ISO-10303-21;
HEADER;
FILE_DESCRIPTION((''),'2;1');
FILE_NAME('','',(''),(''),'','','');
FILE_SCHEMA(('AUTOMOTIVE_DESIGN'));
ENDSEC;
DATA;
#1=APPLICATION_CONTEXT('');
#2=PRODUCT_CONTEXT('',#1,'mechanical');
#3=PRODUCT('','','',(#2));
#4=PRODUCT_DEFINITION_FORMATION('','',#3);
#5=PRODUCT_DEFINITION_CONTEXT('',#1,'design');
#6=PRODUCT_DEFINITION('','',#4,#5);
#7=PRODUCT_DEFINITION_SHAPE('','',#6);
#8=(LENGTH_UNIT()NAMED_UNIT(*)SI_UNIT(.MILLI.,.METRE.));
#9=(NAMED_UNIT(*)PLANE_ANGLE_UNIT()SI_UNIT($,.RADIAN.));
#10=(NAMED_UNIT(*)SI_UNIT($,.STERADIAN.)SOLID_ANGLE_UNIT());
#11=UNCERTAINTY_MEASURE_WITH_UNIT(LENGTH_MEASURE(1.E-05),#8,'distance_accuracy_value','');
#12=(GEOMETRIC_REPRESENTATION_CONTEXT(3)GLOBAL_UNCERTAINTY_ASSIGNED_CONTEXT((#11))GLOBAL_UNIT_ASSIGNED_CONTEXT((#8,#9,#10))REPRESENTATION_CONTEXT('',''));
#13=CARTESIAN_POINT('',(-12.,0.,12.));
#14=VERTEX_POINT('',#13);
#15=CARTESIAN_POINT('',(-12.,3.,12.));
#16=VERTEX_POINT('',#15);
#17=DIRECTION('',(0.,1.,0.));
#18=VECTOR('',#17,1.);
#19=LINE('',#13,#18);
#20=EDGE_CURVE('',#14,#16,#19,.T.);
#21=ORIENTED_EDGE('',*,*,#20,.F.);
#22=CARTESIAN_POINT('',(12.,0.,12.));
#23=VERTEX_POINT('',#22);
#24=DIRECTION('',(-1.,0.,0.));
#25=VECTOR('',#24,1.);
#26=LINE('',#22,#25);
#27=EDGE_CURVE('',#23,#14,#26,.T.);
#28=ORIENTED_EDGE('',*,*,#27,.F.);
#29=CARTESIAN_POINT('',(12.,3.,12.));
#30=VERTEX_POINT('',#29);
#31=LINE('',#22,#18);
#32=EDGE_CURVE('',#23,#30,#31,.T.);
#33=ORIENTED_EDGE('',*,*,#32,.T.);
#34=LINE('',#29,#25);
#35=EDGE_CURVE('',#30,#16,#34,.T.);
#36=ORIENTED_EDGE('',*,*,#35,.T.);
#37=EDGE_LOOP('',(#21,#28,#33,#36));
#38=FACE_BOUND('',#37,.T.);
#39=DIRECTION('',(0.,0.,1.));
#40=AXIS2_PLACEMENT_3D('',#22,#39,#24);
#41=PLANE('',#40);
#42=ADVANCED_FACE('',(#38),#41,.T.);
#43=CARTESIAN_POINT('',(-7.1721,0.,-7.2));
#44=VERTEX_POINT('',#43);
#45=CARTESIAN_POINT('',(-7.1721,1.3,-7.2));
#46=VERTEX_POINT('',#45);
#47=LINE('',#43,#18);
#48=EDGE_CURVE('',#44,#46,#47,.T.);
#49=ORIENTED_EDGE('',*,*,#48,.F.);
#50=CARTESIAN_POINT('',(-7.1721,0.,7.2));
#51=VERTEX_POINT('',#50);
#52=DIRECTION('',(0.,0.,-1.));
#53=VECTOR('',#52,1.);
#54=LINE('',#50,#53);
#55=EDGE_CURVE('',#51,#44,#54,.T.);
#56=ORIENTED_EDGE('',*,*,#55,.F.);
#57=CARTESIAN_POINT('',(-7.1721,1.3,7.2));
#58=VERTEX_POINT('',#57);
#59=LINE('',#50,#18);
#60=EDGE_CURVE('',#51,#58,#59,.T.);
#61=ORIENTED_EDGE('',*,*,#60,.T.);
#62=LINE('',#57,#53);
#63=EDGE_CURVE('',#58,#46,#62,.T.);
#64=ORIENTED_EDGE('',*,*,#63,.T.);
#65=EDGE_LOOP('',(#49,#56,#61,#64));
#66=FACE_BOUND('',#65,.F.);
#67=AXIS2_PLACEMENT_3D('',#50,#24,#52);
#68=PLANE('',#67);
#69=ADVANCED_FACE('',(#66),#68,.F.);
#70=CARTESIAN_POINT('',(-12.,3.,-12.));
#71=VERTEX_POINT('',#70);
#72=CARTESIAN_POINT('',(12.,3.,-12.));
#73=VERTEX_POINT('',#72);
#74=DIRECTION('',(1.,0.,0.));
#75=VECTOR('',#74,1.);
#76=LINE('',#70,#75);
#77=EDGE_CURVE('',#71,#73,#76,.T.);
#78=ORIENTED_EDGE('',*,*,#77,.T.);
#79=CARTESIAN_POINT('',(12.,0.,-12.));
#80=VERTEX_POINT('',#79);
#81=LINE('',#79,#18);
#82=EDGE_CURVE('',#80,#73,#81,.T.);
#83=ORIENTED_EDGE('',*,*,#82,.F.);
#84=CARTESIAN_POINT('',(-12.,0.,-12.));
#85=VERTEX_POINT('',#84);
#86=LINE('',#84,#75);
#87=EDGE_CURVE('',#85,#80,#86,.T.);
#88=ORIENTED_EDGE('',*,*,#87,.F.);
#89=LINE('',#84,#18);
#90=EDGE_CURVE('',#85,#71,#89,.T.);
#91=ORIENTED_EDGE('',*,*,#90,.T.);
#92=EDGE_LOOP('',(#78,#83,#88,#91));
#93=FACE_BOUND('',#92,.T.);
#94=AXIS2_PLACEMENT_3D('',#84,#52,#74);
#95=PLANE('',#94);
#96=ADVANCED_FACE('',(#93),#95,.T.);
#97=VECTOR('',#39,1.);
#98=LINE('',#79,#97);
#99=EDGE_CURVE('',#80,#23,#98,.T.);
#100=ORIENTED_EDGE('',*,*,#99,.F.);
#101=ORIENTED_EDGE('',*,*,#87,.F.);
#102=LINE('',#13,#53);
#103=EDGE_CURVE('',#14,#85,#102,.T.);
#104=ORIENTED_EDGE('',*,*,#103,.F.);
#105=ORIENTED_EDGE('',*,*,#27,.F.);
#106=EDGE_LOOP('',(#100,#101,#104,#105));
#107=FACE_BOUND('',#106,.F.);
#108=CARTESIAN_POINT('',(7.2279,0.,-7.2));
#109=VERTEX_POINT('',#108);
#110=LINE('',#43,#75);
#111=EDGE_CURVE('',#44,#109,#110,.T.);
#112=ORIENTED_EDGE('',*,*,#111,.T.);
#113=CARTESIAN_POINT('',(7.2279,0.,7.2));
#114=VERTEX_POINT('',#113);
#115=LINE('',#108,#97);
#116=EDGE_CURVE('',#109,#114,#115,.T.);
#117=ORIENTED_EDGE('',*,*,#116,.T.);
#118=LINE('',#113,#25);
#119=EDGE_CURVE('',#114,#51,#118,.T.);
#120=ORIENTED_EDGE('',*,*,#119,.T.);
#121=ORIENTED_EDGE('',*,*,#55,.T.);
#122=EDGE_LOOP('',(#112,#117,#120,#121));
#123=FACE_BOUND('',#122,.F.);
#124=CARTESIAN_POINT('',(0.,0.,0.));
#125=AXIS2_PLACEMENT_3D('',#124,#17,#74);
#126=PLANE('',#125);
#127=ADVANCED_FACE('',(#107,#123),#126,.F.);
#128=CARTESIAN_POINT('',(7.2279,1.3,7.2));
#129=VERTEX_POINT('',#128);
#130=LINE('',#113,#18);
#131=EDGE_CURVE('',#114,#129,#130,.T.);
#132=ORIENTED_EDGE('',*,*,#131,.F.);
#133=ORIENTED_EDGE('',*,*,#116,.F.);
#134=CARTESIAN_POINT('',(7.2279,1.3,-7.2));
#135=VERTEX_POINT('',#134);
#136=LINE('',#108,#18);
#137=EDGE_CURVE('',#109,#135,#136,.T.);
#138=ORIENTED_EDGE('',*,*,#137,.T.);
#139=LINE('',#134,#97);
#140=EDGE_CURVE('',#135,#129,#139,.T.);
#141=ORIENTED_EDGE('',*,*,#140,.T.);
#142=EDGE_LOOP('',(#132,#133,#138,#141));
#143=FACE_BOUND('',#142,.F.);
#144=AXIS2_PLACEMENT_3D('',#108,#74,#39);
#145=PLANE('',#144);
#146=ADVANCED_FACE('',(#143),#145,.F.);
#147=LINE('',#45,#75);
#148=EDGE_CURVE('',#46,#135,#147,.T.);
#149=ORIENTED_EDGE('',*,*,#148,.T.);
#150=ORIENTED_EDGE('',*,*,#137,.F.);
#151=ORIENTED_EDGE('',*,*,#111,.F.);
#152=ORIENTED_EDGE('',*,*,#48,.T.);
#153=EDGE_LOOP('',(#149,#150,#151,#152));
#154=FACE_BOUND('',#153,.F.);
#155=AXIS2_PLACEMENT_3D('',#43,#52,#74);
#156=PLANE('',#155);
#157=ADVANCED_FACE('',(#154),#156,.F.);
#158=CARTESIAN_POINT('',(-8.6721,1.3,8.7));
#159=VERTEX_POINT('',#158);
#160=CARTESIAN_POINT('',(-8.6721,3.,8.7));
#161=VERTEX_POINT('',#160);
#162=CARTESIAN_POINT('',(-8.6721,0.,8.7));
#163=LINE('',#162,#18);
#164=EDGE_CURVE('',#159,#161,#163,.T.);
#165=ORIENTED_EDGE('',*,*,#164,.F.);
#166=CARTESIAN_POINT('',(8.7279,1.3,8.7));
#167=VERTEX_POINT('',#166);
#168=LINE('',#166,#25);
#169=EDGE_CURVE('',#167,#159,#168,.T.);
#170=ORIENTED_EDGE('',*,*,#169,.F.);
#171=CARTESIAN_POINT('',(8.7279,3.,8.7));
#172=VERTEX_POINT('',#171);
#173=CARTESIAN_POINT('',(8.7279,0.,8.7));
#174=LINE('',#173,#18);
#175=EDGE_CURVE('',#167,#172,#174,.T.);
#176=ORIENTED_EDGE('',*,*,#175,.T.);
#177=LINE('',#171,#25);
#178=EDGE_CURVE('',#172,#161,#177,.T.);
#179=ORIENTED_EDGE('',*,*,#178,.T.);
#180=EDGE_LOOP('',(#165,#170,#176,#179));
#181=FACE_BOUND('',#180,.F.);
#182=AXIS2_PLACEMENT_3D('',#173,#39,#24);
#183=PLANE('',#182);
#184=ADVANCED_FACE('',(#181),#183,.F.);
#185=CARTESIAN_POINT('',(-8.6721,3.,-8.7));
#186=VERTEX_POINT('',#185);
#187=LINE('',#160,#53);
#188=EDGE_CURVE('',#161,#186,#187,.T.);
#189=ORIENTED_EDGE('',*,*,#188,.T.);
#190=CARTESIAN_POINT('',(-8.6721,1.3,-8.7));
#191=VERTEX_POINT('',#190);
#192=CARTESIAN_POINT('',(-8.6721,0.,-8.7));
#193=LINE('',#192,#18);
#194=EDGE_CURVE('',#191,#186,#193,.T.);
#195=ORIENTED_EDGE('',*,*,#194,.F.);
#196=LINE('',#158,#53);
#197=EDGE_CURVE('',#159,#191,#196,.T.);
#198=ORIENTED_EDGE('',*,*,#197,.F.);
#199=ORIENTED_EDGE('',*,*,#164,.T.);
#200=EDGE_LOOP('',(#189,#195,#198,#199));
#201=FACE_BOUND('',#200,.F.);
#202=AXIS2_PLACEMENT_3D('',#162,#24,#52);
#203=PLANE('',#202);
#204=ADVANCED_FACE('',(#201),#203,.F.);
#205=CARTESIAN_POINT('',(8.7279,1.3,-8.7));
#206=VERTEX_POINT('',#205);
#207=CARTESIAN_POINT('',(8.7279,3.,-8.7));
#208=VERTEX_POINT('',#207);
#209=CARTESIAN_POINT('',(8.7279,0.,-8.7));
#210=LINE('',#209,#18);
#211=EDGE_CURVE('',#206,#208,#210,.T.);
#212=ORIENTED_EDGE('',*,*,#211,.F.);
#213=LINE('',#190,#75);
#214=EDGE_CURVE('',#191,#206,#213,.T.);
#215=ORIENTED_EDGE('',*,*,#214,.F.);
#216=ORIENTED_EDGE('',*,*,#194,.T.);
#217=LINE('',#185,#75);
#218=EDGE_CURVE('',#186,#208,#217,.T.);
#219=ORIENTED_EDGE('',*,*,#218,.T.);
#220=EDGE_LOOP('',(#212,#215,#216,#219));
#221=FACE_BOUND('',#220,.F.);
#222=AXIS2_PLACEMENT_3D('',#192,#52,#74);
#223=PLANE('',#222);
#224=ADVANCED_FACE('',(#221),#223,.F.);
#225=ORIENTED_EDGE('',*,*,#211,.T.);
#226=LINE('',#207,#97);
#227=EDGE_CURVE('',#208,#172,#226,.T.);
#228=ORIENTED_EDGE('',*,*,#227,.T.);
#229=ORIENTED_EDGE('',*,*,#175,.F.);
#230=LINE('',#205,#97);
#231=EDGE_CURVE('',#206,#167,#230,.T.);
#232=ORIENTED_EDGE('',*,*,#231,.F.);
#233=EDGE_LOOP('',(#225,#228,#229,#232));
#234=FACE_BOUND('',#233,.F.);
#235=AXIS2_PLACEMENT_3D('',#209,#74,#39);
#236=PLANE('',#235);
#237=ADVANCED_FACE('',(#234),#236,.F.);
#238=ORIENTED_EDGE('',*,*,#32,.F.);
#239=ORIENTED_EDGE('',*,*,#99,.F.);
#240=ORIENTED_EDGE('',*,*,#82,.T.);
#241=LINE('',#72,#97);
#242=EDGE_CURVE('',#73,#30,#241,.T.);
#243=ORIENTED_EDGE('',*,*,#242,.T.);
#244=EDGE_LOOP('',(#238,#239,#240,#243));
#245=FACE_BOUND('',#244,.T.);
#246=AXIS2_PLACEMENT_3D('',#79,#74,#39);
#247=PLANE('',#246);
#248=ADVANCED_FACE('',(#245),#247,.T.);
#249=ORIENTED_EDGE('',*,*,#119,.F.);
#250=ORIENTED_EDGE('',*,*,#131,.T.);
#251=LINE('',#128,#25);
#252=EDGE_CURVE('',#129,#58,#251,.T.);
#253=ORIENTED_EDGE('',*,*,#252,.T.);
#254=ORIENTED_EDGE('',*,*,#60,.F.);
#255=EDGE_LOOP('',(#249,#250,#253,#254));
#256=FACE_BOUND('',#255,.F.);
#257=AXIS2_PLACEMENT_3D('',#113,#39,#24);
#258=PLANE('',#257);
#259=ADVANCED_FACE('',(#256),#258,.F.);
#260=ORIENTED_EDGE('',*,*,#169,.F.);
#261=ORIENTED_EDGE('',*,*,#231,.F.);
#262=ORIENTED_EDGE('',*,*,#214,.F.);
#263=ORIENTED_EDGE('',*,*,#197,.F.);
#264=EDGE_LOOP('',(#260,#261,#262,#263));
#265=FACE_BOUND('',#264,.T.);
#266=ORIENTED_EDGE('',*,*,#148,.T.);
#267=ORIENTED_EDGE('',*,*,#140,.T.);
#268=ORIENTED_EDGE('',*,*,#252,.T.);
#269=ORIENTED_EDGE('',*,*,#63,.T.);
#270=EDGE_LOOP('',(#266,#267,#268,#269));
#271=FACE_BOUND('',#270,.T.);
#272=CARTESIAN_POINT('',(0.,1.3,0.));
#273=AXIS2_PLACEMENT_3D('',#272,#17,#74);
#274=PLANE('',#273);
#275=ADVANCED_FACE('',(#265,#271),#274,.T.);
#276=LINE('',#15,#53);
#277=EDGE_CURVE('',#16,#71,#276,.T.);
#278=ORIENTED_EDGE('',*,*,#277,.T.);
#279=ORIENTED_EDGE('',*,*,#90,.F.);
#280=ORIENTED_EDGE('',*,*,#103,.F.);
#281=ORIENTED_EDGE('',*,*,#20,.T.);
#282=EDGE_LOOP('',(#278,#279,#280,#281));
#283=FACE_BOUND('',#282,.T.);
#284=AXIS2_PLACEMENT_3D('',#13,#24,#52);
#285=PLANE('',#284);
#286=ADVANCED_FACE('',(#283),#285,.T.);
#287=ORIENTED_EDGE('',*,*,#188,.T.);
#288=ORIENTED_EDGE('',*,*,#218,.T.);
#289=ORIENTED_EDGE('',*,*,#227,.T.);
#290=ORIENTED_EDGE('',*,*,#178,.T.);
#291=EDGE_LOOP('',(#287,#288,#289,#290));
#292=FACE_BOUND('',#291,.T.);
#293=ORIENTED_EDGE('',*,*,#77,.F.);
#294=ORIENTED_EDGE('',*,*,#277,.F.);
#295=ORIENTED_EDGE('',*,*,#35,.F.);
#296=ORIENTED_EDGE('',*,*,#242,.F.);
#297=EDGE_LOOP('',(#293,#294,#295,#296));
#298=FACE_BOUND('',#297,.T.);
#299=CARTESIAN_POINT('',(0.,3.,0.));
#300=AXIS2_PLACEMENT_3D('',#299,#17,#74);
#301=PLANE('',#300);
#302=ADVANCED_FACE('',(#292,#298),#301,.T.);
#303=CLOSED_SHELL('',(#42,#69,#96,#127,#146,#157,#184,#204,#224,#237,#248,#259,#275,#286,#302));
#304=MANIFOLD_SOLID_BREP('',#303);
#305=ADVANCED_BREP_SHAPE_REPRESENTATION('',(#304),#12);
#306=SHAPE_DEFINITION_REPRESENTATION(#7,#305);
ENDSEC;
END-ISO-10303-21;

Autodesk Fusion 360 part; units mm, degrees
sketch "Switch" plane through (0, 0, 0) normal (0, 1, 0) x (1, 0, 0)
  line L0 (-7.1721, 7.2) -> (7.2279, 7.2)
  line L1 (-8.6721, -8.7) -> (-8.6721, 8.7)
  line L2 (7.2279, -7.2) -> (-7.1721, -7.2)
  line L3 (-8.6721, 8.7) -> (8.7279, 8.7)
  line L4 (-8.6721, -8.7) -> (8.7279, 8.7) construction
  line L5 (-7.1721, -7.2) -> (7.2279, 7.2) construction
  line L6 (8.7279, -8.7) -> (-8.6721, -8.7)
  line L7 (-7.1721, -7.2) -> (-7.1721, 7.2)
  line L8 (7.2279, 7.2) -> (7.2279, -7.2)
  line L9 (8.7279, 8.7) -> (8.7279, -8.7)
  line L10 (8.7279, -8.7) -> (-8.6721, 8.7) construction
  line L11 (7.2279, -7.2) -> (-7.1721, 7.2) construction
  line L12 (-12, 12) -> (12, 12)
  line L13 (12, 12) -> (12, -12)
  line L14 (12, -12) -> (-12, -12)
  line L15 (-12, -12) -> (-12, 12)
  line L16 (-12, 12) -> (12, -12) construction
  line L17 (12, 12) -> (-12, -12) construction
  point P0 (0.0279, 0)
  dimension "d1" = 14.4
  dimension "d2" = 14.4
  dimension "d3" = 1.5
  dimension "d4" = 1.5
  dimension "d5" = 1.5
  dimension "d6" = 1.5
  dimension "d7" = 24
  dimension "d8" = 24
extrude "Switch Extrusion" add sketch "Switch" along normal blind 3 contours L12 L13 L14 L15
extrude "Switch Hole Extrusion" add sketch "Switch" along normal blind 1.3 contours L1 L3 L6 L9
